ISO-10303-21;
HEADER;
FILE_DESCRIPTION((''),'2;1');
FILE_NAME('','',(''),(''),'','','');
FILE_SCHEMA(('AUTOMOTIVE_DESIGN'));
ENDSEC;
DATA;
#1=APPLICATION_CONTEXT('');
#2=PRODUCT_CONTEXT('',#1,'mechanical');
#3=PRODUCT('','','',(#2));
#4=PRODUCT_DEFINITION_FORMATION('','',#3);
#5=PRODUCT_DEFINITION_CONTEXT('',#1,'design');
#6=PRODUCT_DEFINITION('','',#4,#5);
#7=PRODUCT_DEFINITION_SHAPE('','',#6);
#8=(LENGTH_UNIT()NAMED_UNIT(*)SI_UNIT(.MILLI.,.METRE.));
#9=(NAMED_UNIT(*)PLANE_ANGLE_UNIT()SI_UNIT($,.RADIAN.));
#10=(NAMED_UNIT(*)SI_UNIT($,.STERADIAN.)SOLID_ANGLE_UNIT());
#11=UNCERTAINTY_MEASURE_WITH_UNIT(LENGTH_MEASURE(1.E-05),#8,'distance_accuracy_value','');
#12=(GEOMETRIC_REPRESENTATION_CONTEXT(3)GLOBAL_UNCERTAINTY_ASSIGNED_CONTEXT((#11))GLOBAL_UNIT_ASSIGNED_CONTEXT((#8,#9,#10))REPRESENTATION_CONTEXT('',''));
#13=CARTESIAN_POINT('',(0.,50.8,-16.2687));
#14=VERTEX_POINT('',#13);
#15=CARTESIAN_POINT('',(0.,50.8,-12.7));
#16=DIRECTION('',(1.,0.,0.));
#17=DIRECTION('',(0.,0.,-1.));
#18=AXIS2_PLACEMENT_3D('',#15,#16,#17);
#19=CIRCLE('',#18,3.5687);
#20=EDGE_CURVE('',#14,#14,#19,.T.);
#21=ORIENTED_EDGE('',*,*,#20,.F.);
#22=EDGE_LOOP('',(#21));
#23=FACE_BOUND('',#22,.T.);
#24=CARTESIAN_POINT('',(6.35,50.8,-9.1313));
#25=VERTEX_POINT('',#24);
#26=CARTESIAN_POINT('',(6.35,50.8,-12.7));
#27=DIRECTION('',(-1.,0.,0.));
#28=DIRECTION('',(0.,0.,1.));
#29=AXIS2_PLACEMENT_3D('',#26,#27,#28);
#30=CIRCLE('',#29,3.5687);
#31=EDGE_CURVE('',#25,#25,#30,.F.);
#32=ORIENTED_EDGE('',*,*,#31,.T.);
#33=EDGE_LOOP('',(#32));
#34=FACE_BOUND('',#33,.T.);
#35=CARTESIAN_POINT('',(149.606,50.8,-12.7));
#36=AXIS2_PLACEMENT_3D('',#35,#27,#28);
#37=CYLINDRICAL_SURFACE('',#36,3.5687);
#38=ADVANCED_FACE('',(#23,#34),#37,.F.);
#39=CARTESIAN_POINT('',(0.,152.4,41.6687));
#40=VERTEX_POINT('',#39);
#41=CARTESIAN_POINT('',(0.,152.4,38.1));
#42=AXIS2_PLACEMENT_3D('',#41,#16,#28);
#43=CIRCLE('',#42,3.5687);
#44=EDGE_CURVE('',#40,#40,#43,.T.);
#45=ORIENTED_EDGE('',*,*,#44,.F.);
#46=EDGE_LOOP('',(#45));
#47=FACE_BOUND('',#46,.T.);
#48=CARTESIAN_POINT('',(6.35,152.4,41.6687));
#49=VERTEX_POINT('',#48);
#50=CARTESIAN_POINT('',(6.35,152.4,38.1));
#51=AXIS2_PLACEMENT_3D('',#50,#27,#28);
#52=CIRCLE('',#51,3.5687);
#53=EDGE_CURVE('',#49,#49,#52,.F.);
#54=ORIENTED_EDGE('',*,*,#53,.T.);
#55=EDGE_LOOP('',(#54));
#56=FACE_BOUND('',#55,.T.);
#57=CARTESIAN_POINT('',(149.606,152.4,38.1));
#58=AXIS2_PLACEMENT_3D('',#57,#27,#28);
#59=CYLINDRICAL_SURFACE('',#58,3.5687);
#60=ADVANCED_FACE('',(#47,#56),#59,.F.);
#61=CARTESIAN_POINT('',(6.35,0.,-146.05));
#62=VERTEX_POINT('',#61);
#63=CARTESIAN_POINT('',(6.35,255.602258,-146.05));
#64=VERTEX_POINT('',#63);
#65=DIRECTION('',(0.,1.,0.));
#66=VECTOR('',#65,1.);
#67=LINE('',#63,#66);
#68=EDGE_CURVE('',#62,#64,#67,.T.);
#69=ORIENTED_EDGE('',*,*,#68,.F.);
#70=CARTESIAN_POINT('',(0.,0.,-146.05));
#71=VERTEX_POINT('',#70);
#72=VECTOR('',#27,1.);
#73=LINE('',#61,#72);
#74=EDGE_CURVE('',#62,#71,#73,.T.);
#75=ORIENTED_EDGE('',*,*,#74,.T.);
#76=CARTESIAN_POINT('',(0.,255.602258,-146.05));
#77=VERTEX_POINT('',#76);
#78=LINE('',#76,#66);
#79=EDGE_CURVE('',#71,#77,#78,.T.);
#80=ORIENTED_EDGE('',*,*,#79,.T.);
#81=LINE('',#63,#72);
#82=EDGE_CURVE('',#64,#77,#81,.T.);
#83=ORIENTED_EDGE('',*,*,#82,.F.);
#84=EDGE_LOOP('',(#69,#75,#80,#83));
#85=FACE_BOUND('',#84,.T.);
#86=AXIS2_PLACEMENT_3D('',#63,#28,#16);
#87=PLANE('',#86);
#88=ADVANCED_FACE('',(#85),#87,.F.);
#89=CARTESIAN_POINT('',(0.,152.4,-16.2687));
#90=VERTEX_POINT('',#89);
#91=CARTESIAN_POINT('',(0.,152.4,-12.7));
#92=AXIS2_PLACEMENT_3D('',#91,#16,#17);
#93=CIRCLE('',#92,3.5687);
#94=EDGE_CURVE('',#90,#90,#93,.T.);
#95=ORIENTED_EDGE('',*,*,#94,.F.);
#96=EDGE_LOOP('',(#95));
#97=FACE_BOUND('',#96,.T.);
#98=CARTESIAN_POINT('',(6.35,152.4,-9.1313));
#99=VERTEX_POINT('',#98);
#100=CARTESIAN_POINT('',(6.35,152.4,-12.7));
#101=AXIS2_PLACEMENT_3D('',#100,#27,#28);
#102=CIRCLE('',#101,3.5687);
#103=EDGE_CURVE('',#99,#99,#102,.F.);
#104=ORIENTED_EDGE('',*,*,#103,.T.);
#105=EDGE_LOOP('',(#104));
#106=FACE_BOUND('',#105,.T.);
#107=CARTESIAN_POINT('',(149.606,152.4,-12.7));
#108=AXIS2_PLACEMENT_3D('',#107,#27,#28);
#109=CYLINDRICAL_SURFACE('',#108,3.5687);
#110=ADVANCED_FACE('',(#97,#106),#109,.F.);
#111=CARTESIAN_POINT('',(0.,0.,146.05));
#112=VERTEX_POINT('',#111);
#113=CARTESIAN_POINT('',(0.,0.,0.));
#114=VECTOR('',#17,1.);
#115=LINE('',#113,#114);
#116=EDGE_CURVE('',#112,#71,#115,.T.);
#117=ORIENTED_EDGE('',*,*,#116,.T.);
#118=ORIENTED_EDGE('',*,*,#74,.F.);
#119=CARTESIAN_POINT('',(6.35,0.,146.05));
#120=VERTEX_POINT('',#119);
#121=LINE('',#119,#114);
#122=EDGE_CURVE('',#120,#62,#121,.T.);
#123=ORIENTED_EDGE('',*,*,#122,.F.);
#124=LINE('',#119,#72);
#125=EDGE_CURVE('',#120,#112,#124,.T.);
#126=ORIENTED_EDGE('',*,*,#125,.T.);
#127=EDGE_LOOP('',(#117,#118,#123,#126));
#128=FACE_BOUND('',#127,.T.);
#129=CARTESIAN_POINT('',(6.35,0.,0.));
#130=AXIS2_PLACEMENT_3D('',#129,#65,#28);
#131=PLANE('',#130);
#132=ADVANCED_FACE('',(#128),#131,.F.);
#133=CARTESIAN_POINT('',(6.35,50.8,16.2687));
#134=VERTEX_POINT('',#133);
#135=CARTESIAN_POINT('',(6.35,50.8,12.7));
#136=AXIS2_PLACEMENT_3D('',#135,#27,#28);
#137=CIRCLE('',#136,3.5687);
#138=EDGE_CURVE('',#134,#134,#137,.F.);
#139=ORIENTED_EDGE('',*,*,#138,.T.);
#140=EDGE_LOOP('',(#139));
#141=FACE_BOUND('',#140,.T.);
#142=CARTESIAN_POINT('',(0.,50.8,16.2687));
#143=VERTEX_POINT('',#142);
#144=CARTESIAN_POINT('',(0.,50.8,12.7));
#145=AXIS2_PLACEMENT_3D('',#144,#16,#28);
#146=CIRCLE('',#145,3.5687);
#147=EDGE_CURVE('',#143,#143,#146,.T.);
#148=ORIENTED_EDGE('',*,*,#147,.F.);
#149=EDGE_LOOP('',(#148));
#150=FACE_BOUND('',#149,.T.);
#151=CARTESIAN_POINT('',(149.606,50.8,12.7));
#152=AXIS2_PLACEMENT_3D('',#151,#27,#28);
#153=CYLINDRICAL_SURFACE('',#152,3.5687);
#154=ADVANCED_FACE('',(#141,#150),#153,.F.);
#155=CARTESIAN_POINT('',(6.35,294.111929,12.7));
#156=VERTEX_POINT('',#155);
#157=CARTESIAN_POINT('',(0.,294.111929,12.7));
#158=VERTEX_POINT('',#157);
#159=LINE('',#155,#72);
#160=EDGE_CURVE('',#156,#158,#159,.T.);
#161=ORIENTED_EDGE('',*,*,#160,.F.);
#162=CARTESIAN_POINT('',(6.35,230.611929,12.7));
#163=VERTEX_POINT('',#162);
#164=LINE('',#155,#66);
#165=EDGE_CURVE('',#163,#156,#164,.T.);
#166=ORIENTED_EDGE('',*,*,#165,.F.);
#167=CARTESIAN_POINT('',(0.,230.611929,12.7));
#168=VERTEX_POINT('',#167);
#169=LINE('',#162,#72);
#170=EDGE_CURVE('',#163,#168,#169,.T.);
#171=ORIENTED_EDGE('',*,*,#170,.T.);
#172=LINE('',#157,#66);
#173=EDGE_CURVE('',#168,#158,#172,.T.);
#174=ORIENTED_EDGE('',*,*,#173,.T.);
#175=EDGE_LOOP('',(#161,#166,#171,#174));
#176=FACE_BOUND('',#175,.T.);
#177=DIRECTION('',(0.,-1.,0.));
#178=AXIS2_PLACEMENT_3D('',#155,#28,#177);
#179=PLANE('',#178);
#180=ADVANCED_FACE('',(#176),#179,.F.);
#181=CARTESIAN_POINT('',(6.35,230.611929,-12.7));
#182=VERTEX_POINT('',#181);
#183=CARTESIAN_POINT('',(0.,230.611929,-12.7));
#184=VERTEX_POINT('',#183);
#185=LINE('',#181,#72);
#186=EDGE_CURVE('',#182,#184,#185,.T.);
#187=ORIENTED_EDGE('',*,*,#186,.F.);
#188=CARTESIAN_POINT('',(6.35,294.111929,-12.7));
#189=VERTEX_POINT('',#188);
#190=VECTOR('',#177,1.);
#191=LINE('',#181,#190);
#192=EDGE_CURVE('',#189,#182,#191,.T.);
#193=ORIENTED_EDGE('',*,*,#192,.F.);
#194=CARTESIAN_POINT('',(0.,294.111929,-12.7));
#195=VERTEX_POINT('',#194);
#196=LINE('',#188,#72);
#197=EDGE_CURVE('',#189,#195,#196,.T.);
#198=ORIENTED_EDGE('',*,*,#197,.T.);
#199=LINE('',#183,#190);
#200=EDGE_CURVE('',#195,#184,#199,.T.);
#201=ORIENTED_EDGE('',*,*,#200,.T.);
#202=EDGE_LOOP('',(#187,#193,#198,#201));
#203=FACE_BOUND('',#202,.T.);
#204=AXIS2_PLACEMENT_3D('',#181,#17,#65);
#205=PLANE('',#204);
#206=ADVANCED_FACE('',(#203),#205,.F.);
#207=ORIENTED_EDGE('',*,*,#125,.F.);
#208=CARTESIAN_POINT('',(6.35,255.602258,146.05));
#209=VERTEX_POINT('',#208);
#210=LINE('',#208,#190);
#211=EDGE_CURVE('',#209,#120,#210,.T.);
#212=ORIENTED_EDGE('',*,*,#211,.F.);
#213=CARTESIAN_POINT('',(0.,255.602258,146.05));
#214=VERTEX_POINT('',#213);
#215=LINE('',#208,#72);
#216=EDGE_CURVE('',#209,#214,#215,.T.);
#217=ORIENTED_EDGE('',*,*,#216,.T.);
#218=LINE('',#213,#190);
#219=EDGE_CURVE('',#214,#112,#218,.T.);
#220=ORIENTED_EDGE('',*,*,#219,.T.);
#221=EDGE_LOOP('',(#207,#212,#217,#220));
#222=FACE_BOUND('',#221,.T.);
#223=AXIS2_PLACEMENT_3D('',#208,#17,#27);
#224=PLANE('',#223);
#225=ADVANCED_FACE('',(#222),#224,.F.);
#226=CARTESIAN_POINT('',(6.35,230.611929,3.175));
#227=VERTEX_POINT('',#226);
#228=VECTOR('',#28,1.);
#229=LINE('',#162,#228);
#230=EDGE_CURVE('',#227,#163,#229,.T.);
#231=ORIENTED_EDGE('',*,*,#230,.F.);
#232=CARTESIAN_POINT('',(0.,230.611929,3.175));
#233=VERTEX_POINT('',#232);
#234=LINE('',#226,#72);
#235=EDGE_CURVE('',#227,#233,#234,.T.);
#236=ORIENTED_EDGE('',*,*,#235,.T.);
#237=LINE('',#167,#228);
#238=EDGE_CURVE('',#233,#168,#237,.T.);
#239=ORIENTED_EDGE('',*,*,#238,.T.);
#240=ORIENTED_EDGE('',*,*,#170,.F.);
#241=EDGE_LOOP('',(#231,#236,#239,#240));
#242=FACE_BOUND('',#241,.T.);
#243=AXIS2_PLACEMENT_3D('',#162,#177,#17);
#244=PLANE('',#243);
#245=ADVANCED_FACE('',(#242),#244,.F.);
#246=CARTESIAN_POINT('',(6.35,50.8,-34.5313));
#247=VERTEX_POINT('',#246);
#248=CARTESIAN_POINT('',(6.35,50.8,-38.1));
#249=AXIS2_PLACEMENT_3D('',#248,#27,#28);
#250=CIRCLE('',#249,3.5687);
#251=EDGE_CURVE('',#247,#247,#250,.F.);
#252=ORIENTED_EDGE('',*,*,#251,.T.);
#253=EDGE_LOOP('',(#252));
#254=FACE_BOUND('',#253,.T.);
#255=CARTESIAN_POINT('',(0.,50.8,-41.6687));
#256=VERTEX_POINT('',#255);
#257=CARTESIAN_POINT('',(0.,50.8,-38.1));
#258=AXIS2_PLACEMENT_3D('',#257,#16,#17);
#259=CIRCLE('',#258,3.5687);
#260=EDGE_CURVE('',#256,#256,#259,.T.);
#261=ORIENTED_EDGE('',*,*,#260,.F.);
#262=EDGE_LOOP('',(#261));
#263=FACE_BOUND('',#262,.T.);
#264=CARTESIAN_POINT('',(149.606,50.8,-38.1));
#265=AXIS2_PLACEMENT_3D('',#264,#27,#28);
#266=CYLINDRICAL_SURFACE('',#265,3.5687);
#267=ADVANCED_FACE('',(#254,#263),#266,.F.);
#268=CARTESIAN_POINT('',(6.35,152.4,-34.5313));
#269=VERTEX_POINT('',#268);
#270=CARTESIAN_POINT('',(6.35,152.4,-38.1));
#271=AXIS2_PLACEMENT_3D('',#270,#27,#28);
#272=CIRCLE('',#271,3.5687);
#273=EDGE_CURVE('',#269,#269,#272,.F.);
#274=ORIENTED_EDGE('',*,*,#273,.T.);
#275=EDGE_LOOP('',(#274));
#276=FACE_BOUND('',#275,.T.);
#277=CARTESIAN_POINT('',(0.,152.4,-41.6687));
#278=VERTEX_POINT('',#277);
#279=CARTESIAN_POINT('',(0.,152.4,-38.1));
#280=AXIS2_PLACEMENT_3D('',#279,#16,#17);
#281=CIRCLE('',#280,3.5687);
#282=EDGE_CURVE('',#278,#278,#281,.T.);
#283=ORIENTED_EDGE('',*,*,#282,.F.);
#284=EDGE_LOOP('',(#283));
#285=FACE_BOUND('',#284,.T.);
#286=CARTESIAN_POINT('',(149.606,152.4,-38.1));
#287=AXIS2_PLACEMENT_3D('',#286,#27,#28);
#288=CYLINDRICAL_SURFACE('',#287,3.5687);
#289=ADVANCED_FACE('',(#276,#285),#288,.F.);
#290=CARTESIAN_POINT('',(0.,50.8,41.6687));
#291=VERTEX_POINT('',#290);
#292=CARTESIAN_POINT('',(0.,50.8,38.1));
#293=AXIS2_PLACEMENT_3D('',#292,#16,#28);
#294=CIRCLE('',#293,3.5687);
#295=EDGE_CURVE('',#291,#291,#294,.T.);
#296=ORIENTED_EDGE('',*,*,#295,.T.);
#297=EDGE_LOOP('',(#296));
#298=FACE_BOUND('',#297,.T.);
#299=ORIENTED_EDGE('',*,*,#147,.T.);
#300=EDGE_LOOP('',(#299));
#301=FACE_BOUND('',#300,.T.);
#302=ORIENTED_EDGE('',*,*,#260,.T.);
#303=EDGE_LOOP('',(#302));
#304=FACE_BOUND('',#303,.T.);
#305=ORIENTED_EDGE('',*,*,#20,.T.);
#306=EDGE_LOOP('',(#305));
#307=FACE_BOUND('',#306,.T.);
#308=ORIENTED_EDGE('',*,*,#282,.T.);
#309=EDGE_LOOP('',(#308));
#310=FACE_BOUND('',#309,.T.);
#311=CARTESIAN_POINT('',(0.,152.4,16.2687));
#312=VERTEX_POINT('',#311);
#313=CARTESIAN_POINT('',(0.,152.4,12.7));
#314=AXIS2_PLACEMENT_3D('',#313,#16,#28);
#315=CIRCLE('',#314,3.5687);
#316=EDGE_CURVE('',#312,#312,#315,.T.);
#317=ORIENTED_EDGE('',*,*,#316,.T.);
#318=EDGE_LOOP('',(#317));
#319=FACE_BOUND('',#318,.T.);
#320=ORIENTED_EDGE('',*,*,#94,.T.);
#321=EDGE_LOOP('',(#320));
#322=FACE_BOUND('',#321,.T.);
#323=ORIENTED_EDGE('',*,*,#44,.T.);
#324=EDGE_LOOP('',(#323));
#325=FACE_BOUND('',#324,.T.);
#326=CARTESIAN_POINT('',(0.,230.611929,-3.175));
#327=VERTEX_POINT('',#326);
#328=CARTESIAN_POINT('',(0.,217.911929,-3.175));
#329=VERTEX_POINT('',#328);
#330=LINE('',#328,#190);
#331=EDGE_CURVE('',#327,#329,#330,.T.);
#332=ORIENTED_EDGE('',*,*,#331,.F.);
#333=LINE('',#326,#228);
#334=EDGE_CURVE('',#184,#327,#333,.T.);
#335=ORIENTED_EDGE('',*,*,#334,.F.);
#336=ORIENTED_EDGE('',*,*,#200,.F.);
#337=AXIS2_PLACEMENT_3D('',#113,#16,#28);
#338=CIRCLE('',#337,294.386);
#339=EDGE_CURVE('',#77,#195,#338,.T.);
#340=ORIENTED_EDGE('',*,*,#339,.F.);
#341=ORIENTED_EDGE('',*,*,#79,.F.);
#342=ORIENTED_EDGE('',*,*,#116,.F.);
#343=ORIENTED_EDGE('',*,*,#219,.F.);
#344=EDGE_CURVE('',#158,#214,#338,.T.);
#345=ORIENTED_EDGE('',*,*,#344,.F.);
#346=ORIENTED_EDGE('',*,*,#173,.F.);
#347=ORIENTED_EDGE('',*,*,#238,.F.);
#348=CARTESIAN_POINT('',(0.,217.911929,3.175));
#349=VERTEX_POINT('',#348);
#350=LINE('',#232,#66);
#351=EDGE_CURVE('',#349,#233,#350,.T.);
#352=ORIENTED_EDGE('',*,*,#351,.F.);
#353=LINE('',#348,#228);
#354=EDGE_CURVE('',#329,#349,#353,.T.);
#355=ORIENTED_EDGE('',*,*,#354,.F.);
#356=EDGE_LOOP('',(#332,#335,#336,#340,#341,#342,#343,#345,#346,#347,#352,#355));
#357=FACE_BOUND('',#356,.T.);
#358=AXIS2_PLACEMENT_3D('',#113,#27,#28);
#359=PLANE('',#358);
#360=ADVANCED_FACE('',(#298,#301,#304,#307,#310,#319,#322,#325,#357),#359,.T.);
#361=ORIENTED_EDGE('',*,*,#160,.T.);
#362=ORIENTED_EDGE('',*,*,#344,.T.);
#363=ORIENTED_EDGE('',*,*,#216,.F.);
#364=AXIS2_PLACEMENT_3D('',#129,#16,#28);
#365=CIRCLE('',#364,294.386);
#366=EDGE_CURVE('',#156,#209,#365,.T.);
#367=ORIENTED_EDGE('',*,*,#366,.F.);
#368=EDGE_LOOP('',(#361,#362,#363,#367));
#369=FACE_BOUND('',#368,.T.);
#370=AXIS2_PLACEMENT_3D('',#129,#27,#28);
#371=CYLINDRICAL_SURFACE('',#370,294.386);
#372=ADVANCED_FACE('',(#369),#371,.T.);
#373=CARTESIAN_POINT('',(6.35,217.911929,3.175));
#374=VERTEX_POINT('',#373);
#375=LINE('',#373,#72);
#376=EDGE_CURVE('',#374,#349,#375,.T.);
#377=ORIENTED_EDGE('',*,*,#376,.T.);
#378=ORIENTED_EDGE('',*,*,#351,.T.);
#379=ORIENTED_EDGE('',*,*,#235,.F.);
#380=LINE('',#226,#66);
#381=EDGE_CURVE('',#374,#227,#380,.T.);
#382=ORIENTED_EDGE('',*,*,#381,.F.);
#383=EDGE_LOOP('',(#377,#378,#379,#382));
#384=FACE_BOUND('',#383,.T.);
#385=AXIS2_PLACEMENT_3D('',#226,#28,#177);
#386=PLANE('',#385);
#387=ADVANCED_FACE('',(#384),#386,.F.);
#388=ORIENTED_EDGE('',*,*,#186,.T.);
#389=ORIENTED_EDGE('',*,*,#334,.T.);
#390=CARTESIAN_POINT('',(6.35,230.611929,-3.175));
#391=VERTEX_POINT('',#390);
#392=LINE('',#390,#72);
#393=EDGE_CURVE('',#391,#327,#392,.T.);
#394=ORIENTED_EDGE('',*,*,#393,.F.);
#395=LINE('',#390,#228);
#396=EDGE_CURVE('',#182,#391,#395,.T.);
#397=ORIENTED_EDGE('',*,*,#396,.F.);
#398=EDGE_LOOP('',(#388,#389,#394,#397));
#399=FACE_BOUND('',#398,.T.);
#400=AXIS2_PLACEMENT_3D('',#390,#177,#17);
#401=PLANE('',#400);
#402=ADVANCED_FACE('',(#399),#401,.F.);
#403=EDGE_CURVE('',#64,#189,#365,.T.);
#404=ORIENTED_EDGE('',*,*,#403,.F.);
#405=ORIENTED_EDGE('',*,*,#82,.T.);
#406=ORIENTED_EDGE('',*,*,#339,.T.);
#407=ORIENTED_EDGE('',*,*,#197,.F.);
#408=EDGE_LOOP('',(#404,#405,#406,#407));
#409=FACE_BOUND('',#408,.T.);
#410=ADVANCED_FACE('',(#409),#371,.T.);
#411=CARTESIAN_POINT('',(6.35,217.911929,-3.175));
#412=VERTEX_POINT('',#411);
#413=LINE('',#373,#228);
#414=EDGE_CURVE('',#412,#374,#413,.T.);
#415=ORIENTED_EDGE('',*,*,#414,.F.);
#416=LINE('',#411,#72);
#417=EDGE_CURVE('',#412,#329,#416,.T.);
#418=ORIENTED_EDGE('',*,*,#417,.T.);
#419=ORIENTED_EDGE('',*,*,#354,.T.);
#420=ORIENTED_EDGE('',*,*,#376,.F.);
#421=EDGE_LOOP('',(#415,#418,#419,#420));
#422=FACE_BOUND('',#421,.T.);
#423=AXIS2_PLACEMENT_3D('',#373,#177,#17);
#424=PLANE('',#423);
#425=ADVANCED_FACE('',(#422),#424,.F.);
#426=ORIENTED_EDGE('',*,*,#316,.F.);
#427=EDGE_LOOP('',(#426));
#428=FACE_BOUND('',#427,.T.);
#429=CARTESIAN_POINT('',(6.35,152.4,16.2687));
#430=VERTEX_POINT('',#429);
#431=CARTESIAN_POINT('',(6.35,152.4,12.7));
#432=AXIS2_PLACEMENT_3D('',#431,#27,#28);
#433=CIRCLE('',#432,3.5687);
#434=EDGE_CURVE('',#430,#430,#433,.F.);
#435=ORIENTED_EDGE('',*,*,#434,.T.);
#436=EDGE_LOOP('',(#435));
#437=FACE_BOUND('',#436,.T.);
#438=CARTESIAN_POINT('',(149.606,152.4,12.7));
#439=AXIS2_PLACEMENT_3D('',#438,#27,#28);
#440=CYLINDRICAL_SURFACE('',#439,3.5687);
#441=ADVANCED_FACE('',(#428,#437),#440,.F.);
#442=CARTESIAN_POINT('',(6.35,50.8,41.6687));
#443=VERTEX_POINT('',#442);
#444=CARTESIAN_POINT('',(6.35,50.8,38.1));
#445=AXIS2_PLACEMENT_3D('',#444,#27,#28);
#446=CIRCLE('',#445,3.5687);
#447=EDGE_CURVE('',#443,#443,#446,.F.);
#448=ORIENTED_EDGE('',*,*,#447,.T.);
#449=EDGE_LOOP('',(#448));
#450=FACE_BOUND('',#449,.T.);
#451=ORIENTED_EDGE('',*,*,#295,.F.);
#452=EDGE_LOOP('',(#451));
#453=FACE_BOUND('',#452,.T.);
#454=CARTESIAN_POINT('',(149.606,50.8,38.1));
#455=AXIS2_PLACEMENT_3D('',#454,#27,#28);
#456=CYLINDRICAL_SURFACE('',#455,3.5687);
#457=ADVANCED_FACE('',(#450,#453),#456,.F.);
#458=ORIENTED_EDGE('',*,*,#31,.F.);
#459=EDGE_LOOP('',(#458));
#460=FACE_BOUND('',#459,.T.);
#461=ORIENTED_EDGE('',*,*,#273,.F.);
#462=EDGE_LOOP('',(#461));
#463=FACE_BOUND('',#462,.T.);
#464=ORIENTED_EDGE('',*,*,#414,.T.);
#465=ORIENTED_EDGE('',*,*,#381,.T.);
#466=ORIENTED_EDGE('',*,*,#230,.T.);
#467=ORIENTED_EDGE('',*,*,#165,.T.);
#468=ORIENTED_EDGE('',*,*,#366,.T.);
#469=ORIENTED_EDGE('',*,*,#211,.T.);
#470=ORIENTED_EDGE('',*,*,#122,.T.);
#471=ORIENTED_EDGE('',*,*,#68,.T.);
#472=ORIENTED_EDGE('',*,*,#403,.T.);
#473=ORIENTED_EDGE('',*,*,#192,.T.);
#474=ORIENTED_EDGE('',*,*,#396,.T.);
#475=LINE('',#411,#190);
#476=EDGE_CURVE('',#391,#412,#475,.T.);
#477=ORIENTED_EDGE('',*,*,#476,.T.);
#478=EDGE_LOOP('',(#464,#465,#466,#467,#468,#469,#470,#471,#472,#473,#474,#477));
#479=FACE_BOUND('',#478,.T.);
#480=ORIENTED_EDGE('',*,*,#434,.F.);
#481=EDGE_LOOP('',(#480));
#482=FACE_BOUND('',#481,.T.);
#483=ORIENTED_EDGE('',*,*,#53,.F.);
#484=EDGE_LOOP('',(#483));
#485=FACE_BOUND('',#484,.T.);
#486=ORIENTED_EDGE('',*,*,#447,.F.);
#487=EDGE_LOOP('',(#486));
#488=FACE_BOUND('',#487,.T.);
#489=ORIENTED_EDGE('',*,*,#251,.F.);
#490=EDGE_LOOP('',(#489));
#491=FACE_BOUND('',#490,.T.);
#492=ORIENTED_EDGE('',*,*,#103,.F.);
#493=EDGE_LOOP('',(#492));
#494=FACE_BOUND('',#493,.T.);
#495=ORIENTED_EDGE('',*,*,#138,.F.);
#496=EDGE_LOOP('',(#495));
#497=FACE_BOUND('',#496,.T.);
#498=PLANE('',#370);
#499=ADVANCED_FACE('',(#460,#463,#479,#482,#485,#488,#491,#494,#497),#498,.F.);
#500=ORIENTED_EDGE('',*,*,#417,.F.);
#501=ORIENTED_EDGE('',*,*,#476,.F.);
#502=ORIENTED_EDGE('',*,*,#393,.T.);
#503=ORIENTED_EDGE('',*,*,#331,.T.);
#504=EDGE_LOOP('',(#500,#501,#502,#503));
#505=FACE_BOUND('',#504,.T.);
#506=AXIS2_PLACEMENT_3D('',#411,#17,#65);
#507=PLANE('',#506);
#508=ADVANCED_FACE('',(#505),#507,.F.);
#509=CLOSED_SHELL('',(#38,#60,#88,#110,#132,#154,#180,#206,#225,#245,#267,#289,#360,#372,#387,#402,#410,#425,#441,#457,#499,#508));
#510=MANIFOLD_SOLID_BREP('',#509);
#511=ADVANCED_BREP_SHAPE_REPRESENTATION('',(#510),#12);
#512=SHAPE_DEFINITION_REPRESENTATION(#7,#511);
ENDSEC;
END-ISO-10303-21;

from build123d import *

# Parameters (mm, degrees)
BOSS_EXTRUDE1_DEPTH = 6.35
SKETCH2_R           = 3.5687
CUT_EXTRUDE1_DEPTH  = 149.606


with BuildPart() as part:
    # Sketch1 → Boss-Extrude1 (new body)
    with BuildSketch(Plane(origin=(0, 0, 0), x_dir=(0, 0, -1), z_dir=(1, 0, 0))):
        with BuildLine():
            Line((0, 0), (146.05, 0))
            Line((146.05, 0), (146.05, 255.602258394))
            ThreePointArc((146.05, 255.602258394), (81.677042764, 282.828530529), (12.7, 294.111929367))
            Line((12.7, 294.111929367), (12.7, 230.611929367))
            Line((12.7, 230.611929367), (3.175, 230.611929367))
            Line((3.175, 230.611929367), (3.175, 217.911929367))
            Line((3.175, 217.911929367), (-3.175, 217.911929367))
            Line((-3.175, 217.911929367), (-3.175, 230.611929367))
            Line((-3.175, 230.611929367), (-12.7, 230.611929367))
            Line((-12.7, 230.611929367), (-12.7, 294.111929367))
            ThreePointArc((-12.7, 294.111929367), (-81.677042764, 282.828530529), (-146.05, 255.602258394))
            Line((-146.05, 255.602258394), (-146.05, 0))
            Line((-146.05, 0), (0, 0))
        make_face()
    extrude(amount=BOSS_EXTRUDE1_DEPTH)

    # Sketch2 → Cut-Extrude1 (cut)
    with BuildSketch(Plane(origin=(0, 0, 0), x_dir=(0, 0, -1), z_dir=(1, 0, 0))):
        with Locations(Location((12.7, 50.8, 0), (0, 0, 180))):
            Circle(SKETCH2_R)
        with Locations(Location((38.1, 50.8, 0), (0, 0, 180))):
            Circle(SKETCH2_R)
        with Locations(Location((12.7, 152.4, 0), (0, 0, 180))):
            Circle(SKETCH2_R)
        with Locations(Location((38.1, 152.4, 0), (0, 0, 180))):
            Circle(SKETCH2_R)
        with Locations(Location((-12.7, 50.8, 0), (0, 0, 180))):
            Circle(SKETCH2_R)
        with Locations(Location((-38.1, 50.8, 0), (0, 0, 180))):
            Circle(SKETCH2_R)
        with Locations(Location((-38.1, 152.4, 0), (0, 0, 180))):
            Circle(SKETCH2_R)
        with Locations(Location((-12.7, 152.4, 0), (0, 0, 180))):
            Circle(SKETCH2_R)
    extrude(amount=CUT_EXTRUDE1_DEPTH, mode=Mode.SUBTRACT)


solid = part.part
